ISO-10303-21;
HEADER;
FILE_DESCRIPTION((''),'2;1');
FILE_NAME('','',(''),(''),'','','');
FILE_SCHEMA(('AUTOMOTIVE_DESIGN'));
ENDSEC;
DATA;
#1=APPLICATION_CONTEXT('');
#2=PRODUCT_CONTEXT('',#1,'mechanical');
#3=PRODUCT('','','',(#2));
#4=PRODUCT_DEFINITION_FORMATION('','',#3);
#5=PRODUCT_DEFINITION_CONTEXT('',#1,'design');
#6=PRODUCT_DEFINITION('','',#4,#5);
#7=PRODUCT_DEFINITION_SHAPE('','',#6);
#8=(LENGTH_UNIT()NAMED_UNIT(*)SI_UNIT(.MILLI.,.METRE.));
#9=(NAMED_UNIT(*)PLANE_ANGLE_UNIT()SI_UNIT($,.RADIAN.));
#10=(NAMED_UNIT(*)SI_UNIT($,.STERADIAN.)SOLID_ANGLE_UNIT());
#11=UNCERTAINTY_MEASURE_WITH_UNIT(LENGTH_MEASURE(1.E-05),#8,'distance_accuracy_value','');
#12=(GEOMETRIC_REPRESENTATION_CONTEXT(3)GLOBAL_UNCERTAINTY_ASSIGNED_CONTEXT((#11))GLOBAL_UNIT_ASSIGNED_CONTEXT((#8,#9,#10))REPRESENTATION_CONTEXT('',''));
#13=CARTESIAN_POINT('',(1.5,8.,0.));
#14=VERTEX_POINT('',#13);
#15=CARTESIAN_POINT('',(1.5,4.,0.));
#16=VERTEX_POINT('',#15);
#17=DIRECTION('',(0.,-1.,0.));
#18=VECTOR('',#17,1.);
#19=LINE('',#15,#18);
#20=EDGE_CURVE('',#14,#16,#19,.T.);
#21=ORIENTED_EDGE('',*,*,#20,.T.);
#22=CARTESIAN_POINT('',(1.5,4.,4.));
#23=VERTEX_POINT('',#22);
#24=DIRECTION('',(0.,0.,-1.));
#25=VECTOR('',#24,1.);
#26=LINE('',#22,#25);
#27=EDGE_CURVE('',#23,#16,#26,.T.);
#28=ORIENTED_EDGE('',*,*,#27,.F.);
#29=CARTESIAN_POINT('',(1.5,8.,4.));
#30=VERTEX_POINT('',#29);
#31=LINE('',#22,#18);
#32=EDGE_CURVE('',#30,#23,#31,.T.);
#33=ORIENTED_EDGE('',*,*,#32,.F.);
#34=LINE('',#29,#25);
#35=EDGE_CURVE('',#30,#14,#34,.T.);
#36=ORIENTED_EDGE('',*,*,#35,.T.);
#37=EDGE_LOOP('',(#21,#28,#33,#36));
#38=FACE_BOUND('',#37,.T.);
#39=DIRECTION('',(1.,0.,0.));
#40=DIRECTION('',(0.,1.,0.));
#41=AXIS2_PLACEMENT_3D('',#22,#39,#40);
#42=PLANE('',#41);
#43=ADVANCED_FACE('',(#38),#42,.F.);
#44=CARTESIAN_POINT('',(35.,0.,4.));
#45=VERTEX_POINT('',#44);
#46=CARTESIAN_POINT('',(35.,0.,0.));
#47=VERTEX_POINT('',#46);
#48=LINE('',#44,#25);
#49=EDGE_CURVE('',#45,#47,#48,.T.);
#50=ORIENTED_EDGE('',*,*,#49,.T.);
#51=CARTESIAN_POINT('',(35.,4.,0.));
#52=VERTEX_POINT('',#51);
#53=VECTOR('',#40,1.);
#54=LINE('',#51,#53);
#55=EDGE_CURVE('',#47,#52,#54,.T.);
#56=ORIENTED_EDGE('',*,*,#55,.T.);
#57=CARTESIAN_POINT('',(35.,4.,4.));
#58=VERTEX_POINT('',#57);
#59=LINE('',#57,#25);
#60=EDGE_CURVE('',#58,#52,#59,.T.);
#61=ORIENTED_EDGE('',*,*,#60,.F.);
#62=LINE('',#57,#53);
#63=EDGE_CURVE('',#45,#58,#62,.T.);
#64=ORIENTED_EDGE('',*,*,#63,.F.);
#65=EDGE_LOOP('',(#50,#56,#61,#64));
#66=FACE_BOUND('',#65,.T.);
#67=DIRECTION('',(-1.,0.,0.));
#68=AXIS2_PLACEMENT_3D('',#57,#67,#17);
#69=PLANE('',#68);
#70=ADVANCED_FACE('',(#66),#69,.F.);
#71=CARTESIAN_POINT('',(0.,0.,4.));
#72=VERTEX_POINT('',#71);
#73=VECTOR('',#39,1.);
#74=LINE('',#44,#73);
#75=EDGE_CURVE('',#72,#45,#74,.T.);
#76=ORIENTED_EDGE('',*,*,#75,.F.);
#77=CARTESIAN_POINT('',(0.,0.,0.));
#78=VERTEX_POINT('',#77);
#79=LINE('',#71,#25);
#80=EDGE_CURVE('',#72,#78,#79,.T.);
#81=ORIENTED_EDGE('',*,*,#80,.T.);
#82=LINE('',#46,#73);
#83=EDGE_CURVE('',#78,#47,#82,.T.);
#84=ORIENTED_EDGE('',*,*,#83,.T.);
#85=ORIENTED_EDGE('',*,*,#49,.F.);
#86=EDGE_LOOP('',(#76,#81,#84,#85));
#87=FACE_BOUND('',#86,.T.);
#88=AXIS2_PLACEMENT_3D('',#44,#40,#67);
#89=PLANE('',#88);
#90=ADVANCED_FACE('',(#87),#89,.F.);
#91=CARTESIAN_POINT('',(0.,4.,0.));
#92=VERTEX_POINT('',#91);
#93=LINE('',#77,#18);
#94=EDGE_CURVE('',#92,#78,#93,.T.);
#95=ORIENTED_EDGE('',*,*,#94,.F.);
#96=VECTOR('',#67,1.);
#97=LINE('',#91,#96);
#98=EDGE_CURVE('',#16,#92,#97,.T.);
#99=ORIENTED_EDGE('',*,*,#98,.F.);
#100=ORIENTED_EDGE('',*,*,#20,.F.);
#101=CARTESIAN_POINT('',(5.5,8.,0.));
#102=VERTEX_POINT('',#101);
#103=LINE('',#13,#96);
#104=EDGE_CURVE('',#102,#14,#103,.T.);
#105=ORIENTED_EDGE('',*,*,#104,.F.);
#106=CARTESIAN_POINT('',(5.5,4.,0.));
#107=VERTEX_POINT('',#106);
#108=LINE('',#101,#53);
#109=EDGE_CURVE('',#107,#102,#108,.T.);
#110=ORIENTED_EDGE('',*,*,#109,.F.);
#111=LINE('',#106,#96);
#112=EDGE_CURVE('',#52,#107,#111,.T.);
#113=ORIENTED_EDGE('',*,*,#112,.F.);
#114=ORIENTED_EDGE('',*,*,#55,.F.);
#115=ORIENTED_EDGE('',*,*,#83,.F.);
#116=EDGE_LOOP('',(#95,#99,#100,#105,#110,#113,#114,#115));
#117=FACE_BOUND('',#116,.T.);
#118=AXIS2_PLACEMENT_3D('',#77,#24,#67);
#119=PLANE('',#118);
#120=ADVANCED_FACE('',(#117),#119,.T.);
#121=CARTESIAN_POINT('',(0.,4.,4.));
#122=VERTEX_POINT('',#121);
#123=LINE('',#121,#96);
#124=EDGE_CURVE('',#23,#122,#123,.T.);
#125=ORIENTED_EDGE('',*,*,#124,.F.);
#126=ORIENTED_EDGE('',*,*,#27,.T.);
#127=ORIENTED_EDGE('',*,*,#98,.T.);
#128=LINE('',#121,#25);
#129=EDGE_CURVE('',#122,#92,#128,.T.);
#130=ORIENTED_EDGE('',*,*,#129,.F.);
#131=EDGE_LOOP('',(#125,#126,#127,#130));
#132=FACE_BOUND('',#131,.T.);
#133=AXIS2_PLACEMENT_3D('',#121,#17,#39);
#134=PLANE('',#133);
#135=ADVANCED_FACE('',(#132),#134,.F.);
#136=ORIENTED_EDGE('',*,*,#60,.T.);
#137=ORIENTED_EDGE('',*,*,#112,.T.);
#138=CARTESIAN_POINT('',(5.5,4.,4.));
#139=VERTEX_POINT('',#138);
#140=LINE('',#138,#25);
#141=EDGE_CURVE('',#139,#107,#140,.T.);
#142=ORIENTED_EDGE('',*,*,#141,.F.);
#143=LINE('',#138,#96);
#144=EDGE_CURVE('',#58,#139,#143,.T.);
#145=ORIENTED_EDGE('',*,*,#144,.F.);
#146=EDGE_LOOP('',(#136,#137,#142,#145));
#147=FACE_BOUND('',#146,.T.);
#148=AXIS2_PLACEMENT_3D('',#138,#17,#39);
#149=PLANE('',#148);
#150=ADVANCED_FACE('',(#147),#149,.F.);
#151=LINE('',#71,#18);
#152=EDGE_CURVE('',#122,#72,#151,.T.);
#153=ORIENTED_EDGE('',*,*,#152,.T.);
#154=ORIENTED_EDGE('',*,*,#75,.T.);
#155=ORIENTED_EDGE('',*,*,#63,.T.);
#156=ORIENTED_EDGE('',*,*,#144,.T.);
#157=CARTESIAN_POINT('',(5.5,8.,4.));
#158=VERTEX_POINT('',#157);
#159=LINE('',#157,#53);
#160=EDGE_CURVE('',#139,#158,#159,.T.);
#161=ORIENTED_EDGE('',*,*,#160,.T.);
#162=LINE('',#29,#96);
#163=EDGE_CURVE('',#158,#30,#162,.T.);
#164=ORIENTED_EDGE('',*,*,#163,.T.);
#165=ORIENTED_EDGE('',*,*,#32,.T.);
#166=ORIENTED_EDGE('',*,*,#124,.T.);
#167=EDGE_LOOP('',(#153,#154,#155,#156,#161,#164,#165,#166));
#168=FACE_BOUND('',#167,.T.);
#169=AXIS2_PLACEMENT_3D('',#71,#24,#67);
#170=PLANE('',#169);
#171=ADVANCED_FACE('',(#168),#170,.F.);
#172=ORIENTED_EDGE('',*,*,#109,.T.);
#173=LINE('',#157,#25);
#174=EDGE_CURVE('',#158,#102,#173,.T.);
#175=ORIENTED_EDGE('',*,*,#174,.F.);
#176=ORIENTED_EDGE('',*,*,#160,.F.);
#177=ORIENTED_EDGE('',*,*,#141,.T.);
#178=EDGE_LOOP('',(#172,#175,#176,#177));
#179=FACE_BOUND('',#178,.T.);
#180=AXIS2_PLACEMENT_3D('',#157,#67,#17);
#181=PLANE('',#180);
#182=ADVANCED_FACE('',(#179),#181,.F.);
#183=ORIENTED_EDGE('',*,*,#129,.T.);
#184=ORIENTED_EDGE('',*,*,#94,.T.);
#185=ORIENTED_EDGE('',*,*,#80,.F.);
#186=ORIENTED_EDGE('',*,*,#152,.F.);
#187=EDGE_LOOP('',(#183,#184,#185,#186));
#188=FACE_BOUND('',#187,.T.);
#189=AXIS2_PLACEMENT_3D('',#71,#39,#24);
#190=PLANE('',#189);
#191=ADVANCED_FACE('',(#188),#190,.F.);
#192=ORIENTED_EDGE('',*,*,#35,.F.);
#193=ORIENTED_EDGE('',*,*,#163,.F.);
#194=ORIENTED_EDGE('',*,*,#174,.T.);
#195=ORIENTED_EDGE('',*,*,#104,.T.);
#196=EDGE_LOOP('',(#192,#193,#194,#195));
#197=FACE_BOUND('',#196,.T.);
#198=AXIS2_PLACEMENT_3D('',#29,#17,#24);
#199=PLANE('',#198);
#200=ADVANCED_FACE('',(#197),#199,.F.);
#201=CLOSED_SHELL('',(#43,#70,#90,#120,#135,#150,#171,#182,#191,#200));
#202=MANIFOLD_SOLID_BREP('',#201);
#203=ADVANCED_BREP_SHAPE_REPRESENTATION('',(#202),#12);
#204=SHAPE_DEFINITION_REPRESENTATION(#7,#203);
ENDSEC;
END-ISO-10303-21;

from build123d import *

# Parameters (mm, degrees)
BOSS_EXTRU_1_DEPTH = 4


with BuildPart() as part:
    # Esquisse1 → Boss.-Extru.1 (new body)
    with BuildSketch(Plane.XY):
        Polygon((0, 0), (0, 4), (1.5, 4), (1.5, 8), (5.5, 8), (5.5, 4), (35, 4), (35, 0), align=None)
    extrude(amount=BOSS_EXTRU_1_DEPTH)


solid = part.part
